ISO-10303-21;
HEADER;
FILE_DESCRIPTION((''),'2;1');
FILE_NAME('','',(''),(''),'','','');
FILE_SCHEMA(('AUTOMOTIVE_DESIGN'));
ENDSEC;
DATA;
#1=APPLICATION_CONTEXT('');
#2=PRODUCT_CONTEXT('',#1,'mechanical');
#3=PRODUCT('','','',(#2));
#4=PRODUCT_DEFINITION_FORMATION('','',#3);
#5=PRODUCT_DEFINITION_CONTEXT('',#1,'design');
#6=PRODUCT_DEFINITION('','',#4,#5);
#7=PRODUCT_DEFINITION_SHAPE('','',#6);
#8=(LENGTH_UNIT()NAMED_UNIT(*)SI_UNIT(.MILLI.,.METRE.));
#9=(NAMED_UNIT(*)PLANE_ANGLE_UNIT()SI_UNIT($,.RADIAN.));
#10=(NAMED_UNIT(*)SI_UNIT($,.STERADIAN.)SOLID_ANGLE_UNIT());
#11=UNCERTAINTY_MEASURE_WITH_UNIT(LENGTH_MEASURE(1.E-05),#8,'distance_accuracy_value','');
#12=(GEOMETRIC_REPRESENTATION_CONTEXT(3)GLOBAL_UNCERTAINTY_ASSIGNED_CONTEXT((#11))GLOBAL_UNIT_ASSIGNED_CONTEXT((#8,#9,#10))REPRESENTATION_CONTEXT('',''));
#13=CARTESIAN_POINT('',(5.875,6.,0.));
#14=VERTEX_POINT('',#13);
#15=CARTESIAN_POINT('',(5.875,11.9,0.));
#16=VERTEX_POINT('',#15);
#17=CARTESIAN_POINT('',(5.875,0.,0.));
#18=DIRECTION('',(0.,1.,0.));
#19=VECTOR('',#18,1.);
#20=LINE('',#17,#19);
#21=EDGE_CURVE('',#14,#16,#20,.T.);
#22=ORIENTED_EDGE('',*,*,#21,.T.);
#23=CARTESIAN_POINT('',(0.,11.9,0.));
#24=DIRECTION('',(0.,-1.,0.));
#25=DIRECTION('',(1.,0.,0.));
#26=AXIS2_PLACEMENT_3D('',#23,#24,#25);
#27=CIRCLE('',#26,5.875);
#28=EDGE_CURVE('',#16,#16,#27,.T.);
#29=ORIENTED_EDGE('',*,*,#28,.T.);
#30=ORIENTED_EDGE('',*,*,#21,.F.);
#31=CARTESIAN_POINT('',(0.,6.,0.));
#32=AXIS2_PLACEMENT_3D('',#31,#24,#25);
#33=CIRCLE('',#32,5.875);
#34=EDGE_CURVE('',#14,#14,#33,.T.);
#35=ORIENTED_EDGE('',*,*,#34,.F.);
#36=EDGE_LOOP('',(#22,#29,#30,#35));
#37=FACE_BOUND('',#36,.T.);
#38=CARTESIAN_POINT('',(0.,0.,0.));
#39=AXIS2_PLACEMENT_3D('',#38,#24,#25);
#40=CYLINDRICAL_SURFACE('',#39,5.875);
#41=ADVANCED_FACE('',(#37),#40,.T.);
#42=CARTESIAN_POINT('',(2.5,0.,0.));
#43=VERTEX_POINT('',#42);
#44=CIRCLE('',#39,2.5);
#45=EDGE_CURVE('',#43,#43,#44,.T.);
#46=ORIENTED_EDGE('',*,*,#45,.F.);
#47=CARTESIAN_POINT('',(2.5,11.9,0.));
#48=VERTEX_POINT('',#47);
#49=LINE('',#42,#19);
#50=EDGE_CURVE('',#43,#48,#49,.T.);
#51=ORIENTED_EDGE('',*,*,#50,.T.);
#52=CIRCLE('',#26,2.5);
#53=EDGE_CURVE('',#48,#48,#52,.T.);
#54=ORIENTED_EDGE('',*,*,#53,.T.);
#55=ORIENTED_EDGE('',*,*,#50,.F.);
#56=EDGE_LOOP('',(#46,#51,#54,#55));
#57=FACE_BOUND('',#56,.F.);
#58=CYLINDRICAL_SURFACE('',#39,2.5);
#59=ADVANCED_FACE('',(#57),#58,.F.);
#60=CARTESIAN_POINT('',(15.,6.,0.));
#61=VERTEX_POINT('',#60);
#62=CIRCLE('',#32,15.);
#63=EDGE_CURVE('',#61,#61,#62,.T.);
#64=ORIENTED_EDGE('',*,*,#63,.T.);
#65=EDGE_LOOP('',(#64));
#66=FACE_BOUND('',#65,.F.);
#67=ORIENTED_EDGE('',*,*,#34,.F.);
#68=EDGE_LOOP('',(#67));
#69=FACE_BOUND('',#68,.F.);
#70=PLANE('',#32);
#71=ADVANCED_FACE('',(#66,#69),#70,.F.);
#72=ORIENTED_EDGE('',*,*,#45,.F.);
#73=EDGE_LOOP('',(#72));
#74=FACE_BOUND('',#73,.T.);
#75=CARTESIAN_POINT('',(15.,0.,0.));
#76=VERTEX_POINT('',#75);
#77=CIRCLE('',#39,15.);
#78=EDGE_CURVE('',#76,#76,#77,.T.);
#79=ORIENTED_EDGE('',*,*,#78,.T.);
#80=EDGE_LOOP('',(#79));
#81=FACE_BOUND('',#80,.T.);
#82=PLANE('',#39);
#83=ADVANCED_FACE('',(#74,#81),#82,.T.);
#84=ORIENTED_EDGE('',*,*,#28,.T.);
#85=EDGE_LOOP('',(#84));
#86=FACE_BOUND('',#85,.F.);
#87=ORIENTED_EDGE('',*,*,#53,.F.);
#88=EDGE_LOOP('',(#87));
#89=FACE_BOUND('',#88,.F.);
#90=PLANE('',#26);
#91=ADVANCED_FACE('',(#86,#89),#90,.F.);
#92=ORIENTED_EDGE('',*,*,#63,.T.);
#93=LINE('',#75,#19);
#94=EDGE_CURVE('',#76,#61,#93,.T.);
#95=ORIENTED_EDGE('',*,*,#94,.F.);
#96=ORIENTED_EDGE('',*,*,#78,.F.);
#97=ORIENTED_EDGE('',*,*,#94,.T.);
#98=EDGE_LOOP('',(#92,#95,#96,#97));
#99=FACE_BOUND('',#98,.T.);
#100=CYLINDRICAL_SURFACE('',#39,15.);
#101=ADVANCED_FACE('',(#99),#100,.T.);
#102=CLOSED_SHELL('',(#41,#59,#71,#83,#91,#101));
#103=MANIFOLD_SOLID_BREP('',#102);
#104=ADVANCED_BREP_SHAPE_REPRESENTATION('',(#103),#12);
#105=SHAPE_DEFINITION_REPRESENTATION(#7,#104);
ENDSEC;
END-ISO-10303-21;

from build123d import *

# Parameters (mm, degrees)
F0_R     = 5.875
F0_R_2   = 2.5
F1_DEPTH = 11.9
F0_R_3   = 15
F2_DEPTH = 6


with BuildPart() as f1:
    # F0 (on Front) → F1 (new body)
    with BuildSketch(Plane.XZ):
        Circle(F0_R)
        Circle(F0_R_2, mode=Mode.SUBTRACT)
    extrude(amount=-F1_DEPTH)

    # F0 (on Front) → F2 (join)
    with BuildSketch(Plane.XZ):
        Circle(F0_R_3)
        Circle(F0_R, mode=Mode.SUBTRACT)
    extrude(amount=-F2_DEPTH)


solid = f1.part
